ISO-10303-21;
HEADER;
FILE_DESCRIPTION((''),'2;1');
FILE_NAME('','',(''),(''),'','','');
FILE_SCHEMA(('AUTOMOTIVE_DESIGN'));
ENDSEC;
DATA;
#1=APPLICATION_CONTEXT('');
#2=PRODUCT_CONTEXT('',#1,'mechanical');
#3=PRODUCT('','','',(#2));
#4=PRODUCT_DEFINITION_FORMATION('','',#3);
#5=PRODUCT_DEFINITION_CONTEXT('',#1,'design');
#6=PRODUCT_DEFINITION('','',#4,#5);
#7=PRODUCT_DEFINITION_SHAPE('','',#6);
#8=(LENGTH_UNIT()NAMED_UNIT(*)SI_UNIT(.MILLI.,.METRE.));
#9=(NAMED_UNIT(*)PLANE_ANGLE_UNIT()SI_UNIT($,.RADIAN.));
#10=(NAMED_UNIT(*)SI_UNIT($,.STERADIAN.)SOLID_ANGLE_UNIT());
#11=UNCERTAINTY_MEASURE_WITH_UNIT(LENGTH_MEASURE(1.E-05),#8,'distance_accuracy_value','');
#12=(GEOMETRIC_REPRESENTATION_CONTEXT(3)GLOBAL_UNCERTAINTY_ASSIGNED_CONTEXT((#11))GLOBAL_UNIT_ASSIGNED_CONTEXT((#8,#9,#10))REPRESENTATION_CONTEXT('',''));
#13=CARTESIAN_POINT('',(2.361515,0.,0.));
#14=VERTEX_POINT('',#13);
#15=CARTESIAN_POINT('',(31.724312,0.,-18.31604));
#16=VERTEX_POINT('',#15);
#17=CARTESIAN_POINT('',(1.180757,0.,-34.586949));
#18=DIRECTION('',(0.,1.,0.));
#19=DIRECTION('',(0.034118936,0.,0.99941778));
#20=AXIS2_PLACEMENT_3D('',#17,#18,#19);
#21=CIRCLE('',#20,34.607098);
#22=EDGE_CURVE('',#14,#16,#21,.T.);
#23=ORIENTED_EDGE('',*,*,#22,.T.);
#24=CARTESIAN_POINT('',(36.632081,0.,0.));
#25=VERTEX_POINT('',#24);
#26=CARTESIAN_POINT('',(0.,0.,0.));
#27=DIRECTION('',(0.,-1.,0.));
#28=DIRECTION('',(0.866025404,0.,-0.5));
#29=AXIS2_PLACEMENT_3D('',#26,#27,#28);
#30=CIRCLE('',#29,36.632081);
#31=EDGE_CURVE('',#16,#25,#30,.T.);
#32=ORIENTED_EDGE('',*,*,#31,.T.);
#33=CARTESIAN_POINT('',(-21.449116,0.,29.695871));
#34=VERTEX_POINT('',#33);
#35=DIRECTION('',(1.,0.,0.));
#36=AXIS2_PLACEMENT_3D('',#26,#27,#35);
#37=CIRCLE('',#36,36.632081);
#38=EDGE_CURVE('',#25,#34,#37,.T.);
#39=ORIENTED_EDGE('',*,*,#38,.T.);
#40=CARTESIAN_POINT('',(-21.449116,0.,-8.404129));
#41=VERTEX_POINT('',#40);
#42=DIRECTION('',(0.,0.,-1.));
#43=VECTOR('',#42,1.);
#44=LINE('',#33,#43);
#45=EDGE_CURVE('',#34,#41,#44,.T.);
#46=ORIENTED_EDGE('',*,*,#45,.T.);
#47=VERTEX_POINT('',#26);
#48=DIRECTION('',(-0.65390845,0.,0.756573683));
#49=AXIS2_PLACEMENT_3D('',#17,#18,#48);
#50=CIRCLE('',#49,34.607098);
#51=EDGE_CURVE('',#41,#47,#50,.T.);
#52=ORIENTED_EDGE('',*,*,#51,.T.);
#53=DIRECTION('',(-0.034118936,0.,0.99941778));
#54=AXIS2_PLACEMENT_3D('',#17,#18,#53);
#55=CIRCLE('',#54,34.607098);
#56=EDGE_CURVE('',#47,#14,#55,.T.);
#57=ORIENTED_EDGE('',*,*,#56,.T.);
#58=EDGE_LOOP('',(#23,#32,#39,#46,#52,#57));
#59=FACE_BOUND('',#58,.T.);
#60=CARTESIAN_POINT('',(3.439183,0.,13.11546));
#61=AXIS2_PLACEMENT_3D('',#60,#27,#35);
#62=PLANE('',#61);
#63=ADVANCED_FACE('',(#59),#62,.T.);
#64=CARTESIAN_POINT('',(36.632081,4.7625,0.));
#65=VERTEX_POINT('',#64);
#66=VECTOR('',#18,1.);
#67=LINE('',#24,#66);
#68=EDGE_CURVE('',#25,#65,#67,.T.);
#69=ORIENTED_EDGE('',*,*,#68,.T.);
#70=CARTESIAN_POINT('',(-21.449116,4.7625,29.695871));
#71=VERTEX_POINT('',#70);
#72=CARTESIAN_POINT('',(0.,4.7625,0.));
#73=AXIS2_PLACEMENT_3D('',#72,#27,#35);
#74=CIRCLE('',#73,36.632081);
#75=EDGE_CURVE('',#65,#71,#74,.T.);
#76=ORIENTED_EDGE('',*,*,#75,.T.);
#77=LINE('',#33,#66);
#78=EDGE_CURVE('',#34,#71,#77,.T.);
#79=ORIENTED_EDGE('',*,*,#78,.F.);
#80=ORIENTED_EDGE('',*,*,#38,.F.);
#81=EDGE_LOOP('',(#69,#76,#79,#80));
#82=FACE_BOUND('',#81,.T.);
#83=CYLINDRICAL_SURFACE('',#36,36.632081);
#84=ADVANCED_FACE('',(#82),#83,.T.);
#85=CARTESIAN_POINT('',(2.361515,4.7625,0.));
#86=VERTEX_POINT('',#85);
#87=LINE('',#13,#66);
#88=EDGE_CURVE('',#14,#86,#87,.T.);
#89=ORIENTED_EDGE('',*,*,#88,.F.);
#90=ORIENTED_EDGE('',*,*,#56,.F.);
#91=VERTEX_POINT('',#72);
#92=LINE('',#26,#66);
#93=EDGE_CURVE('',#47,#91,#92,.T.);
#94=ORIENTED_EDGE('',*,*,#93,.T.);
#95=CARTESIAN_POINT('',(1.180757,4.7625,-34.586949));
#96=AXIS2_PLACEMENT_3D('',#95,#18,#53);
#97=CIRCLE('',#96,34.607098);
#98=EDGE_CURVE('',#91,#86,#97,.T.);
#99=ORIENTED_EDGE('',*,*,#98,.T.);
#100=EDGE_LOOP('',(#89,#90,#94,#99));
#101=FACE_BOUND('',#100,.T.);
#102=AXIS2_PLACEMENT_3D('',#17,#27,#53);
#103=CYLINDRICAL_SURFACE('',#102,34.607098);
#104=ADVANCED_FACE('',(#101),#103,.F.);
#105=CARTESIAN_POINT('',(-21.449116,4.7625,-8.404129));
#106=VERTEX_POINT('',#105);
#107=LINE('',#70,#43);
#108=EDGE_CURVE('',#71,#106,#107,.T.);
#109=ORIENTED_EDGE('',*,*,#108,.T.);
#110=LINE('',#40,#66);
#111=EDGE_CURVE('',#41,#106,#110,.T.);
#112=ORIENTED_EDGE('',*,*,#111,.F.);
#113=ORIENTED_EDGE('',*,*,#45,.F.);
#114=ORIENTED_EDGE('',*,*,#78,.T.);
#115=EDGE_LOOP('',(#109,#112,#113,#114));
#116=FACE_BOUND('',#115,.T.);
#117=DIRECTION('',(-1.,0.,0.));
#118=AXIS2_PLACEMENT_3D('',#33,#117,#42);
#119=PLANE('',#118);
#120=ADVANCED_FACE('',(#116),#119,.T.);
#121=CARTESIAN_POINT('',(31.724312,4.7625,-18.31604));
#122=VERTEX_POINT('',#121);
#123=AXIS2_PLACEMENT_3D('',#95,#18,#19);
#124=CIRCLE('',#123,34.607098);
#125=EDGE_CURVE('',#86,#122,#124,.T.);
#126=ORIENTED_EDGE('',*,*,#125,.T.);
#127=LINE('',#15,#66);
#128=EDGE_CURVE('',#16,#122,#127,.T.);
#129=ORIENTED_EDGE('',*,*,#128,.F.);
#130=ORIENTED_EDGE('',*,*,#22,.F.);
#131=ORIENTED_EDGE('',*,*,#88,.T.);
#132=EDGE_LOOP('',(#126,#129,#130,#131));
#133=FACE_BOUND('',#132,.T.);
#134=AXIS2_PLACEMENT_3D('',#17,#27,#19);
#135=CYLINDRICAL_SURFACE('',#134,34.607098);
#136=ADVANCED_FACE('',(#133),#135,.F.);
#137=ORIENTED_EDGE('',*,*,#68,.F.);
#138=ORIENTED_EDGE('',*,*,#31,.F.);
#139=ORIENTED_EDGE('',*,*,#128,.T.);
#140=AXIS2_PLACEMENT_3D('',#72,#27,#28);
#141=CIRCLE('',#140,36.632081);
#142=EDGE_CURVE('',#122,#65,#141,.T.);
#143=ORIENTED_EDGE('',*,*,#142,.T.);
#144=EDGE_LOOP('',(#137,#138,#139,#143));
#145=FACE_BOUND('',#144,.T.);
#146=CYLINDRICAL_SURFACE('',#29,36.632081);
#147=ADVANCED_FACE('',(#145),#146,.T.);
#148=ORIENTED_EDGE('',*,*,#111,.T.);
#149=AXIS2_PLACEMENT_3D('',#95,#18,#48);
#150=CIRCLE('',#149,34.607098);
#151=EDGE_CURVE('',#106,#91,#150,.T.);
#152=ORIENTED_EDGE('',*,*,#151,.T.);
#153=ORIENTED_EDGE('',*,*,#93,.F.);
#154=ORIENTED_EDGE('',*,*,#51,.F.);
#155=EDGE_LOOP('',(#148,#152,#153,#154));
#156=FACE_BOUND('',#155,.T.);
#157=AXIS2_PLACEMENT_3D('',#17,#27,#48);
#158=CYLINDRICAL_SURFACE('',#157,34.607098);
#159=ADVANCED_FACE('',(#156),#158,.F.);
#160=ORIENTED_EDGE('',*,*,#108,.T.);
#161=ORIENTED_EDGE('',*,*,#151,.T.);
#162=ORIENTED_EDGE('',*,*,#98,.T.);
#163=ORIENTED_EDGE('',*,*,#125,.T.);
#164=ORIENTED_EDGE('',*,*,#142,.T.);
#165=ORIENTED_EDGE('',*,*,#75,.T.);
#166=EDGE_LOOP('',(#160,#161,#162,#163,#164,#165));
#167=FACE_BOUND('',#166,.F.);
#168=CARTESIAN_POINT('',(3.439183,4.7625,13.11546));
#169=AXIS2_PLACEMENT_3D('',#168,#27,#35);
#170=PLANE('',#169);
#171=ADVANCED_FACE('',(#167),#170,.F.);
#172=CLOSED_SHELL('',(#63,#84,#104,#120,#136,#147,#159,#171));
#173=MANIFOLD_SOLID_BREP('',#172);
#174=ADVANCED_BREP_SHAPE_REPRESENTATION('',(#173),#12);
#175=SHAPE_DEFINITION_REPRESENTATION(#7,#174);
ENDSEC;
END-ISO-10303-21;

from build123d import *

# Parameters (mm, degrees)
F1_DEPTH = 4.7625


with BuildPart() as f1:
    # F0 (on Front) → F1 (new body)
    with BuildSketch(Plane.XZ):
        with BuildLine():
            Line((2.3615147114, 0), (36.6320805087, 0))
            ThreePointArc((36.6320805087, 0), (16.6760841829, 32.616215886), (-21.4491162974, 29.6958706297))
            Line((-21.4491162974, 29.6958706297), (-21.4491162974, -8.4041293703))
            ThreePointArc((-21.4491162974, -8.4041293703), (-11.4443717477, -2.3649480825), (0, 0))
            ThreePointArc((0, 0), (1.1807573557, 0.0201489579), (2.3615147114, 0))
        make_face()
        with BuildLine():
            ThreePointArc((31.724312314, -18.3160402543), (35.383872634, -9.4810800974), (36.6320805087, 0))
            Line((36.6320805087, 0), (2.3615147114, 0))
            ThreePointArc((2.3615147114, 0), (19.4967976101, -5.2241511746), (31.724312314, -18.3160402543))
        make_face()
    extrude(amount=-F1_DEPTH)


solid = f1.part
